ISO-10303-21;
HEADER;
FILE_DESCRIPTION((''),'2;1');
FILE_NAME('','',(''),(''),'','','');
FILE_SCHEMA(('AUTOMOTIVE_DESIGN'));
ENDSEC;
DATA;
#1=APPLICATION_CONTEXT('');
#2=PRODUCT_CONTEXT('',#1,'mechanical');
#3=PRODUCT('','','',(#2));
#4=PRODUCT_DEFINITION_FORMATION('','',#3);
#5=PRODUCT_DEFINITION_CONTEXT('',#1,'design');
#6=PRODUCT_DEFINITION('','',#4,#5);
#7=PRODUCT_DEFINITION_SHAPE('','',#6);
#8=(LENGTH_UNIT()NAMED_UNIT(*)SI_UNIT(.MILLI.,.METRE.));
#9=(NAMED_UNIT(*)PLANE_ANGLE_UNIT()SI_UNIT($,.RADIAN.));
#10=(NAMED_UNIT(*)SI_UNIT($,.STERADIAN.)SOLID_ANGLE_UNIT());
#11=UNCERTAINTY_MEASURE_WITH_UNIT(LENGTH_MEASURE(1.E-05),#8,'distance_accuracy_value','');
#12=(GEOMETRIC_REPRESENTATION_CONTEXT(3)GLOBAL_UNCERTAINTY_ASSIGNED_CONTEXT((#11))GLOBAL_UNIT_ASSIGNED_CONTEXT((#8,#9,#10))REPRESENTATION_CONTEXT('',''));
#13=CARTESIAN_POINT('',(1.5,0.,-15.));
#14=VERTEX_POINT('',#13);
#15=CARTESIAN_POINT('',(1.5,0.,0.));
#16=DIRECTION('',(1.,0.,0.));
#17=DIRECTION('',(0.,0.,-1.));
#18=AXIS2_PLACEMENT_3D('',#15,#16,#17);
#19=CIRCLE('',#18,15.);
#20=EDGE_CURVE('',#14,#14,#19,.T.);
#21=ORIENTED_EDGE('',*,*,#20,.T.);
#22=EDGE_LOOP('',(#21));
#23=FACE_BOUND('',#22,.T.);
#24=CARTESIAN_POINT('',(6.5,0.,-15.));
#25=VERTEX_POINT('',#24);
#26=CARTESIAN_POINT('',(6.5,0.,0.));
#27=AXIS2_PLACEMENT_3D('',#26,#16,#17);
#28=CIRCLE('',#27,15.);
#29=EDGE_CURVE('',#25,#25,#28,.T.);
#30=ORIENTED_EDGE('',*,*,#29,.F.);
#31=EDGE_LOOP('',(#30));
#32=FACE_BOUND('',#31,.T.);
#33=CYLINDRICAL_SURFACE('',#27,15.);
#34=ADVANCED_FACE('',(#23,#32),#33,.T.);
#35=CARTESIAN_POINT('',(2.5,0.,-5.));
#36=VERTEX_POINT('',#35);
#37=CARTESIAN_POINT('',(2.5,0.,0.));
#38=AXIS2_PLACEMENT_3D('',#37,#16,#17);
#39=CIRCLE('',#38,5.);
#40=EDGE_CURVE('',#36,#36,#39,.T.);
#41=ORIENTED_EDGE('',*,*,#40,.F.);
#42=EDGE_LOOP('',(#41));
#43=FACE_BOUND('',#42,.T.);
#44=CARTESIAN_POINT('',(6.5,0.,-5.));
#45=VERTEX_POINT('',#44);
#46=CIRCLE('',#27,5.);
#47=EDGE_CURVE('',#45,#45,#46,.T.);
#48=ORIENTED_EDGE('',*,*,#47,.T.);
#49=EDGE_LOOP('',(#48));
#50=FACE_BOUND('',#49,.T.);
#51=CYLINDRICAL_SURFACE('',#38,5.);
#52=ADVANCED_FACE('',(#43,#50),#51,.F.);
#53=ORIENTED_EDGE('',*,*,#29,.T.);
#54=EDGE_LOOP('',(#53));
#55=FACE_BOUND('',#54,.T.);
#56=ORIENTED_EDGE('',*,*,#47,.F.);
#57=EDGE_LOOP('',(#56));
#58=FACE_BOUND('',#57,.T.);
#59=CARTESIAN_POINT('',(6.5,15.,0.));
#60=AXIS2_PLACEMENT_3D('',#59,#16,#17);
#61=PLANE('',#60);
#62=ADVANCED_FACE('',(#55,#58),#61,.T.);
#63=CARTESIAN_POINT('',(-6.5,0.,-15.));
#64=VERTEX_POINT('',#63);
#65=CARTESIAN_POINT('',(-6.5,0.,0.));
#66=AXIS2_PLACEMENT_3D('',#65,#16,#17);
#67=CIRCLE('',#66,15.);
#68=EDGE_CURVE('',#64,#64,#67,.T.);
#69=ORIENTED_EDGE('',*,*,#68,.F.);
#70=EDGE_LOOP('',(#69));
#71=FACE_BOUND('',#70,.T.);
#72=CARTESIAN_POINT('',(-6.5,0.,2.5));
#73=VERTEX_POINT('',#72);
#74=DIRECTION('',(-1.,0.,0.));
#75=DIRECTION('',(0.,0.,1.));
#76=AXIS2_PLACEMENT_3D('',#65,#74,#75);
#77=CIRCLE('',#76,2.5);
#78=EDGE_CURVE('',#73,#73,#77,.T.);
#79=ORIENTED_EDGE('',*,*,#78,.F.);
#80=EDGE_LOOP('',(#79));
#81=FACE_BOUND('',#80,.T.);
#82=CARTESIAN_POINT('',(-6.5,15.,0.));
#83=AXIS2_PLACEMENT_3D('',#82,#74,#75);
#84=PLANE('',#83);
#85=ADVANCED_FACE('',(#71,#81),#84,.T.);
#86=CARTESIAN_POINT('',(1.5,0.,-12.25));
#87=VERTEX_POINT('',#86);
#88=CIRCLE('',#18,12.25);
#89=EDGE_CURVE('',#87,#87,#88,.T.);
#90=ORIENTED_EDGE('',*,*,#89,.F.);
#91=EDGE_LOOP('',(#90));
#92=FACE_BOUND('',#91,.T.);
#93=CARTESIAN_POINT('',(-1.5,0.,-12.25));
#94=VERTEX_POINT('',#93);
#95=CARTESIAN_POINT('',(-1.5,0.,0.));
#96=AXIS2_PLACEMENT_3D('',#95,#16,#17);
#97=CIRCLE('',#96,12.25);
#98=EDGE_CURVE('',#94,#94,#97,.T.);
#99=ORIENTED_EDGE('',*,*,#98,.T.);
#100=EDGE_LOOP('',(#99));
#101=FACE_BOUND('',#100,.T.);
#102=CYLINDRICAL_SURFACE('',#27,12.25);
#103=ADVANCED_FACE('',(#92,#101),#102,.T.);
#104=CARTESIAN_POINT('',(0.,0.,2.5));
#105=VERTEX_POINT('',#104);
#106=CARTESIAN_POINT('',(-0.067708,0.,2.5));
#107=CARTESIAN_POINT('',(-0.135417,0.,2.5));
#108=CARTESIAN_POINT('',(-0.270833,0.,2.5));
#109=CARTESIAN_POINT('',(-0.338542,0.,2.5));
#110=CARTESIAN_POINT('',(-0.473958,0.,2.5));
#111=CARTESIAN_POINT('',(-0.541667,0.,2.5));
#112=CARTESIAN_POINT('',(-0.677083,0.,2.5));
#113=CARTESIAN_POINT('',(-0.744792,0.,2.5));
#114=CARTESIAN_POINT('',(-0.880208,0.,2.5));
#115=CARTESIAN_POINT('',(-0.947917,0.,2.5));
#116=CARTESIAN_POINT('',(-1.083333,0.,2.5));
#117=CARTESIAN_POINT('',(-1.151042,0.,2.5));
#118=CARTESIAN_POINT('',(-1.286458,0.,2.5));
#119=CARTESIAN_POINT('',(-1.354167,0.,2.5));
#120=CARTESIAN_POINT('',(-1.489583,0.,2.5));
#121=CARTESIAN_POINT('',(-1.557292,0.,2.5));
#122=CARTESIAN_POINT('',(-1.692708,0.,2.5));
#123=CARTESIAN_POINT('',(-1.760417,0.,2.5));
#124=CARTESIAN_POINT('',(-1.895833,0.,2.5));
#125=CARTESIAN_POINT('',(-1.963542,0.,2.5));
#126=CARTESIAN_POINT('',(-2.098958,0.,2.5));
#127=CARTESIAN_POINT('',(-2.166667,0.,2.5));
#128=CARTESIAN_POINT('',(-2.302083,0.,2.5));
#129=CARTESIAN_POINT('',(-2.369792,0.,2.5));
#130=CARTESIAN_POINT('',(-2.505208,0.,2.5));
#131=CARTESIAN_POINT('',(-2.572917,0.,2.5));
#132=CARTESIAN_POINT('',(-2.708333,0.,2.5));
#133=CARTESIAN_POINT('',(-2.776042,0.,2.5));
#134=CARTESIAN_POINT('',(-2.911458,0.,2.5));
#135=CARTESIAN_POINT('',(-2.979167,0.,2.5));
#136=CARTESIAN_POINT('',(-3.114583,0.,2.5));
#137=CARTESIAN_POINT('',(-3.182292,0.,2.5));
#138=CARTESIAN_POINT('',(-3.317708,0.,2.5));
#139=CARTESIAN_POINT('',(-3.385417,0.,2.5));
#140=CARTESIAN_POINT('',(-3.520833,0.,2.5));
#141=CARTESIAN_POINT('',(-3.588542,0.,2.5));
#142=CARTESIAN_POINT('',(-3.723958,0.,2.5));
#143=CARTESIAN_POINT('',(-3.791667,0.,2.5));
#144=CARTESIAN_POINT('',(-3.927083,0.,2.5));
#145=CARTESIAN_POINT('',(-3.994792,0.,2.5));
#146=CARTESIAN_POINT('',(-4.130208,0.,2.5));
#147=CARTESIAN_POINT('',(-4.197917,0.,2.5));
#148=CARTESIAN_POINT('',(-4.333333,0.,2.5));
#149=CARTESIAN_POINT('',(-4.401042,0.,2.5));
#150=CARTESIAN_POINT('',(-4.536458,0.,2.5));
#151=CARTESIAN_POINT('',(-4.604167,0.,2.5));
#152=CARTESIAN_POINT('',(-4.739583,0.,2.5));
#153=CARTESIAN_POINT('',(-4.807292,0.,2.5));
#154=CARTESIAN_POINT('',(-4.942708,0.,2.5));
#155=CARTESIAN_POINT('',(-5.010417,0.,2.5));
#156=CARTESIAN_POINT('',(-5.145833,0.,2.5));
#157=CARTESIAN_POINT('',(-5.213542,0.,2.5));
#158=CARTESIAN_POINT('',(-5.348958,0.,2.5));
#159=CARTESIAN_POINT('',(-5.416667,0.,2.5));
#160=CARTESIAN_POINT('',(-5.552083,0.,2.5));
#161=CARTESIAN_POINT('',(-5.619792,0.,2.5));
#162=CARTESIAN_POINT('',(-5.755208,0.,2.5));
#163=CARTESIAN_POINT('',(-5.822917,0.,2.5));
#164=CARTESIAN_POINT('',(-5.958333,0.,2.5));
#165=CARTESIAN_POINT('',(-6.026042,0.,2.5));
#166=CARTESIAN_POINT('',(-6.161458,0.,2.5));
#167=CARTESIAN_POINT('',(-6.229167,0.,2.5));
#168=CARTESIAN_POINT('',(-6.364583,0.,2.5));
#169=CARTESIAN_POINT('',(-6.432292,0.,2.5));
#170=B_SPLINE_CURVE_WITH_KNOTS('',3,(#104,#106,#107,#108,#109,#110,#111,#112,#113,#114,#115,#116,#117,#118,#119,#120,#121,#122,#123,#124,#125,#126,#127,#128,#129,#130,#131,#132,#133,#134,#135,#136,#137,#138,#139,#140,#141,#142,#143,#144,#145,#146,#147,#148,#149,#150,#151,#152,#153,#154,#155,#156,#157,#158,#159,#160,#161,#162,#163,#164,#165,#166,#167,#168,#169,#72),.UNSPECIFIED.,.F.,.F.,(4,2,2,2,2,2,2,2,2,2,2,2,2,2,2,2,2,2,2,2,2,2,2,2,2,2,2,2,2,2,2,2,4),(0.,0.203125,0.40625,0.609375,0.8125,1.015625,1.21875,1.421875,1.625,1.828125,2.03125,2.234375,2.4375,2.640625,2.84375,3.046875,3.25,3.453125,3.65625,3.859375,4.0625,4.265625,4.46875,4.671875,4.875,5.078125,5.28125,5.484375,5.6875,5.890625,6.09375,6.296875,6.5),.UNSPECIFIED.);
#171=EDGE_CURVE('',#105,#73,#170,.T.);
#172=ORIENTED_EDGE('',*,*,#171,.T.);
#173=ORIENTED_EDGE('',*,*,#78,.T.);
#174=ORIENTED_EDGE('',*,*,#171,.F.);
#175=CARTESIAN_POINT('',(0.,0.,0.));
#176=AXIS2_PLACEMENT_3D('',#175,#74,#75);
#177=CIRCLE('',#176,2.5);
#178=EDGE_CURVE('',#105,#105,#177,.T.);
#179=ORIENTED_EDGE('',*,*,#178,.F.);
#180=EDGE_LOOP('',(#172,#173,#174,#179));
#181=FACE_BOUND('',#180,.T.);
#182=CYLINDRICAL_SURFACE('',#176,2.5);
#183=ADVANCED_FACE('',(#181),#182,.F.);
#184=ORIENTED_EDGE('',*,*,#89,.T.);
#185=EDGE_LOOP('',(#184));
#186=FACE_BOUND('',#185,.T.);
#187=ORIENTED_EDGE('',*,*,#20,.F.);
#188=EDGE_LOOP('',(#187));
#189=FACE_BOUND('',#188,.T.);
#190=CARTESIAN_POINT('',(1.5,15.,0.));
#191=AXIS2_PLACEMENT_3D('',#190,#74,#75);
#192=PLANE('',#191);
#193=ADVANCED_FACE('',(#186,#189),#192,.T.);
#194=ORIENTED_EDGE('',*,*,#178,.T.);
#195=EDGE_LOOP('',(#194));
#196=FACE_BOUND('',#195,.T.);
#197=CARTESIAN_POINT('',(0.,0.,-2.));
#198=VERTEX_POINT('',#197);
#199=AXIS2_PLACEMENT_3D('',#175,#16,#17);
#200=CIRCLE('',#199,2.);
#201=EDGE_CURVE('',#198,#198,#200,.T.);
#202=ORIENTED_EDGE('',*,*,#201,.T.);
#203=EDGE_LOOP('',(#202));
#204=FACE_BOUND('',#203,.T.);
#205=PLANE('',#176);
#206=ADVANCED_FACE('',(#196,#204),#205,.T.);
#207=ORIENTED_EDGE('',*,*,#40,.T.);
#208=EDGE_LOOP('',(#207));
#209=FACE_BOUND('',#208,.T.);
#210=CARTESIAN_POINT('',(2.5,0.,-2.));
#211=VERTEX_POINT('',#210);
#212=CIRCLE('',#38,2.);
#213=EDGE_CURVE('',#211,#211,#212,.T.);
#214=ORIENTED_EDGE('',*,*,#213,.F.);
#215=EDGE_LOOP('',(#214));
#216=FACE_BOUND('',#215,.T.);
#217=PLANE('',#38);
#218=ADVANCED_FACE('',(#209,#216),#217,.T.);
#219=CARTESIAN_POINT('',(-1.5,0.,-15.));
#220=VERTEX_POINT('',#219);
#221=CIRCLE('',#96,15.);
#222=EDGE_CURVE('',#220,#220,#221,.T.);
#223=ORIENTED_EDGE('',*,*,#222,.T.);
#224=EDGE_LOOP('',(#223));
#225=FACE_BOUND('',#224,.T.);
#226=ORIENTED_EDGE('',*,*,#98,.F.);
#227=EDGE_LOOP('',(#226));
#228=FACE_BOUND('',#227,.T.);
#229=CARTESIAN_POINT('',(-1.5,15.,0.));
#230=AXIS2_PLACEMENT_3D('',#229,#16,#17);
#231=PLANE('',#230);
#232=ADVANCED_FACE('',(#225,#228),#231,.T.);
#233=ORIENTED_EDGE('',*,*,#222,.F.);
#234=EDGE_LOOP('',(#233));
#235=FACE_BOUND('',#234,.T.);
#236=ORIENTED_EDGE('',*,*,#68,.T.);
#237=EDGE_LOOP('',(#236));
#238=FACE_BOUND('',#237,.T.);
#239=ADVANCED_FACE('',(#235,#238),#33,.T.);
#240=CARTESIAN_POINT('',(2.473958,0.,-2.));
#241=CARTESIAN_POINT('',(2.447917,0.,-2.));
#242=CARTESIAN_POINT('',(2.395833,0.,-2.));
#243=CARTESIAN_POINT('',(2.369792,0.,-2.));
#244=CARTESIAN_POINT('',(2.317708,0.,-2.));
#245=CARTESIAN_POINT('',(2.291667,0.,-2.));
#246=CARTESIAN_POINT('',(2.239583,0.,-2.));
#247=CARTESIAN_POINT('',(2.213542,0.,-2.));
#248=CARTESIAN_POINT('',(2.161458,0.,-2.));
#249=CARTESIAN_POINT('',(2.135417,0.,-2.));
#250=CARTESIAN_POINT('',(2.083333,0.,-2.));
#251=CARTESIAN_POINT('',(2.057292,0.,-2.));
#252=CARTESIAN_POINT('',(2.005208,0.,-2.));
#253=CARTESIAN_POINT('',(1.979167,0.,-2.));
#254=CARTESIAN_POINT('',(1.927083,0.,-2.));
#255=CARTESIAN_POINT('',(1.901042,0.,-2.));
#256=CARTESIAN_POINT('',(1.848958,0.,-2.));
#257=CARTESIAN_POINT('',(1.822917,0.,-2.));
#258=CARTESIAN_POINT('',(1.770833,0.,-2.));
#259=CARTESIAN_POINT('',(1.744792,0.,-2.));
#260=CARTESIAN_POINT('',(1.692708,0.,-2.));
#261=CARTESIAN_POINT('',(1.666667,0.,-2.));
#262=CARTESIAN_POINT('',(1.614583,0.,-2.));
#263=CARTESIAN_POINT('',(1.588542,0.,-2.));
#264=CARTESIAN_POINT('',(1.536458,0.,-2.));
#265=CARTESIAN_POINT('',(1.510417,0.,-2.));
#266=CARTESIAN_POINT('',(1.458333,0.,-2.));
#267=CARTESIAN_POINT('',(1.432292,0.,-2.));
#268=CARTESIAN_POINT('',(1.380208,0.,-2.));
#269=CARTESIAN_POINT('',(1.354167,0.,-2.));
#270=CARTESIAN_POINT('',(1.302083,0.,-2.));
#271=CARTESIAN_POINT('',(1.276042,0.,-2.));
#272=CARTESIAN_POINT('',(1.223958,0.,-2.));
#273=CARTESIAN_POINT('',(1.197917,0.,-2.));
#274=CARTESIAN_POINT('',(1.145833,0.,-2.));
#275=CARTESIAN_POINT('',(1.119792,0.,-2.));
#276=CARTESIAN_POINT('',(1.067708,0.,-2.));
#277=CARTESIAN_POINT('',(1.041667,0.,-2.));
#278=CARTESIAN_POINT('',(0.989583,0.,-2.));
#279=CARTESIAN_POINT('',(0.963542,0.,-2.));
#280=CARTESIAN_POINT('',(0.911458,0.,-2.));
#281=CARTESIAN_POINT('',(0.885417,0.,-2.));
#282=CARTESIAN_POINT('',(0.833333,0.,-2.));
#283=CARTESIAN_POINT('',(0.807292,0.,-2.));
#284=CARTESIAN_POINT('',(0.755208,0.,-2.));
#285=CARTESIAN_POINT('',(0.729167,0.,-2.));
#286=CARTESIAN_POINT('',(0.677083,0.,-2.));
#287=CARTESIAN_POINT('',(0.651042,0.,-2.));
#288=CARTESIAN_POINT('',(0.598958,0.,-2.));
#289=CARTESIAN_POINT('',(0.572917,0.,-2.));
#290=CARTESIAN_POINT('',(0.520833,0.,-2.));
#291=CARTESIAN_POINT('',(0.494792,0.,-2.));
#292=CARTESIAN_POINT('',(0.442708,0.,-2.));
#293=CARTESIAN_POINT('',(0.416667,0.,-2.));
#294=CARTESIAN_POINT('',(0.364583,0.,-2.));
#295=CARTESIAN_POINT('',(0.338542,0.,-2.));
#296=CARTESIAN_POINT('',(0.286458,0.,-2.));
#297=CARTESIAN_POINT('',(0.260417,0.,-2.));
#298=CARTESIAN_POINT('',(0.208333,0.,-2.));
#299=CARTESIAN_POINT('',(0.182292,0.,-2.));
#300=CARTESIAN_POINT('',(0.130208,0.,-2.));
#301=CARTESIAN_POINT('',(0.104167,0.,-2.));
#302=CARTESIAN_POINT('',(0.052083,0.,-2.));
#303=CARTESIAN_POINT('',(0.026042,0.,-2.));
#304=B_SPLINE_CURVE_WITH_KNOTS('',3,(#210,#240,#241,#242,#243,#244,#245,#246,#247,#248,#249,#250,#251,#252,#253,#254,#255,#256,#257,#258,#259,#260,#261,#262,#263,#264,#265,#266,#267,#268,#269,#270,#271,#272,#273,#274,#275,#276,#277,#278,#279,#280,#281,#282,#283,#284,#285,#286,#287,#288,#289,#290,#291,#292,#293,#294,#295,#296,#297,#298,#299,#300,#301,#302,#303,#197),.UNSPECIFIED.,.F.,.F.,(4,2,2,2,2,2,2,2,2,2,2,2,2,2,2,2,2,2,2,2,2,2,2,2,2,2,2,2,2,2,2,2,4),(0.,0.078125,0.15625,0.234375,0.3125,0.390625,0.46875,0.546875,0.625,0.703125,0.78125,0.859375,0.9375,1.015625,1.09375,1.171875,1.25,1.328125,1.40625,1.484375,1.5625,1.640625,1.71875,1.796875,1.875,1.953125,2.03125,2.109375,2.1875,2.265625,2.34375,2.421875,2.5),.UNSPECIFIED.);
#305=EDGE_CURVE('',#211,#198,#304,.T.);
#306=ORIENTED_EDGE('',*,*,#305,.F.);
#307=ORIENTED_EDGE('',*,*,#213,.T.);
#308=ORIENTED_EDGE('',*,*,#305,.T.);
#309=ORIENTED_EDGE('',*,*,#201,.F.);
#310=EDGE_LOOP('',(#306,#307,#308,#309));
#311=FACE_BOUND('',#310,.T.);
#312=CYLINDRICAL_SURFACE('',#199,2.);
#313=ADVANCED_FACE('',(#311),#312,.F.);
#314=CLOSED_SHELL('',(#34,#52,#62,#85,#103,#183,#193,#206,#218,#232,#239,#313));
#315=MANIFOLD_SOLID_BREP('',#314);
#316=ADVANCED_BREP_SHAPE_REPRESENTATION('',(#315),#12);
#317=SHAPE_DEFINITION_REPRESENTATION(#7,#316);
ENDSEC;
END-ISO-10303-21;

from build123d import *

# Parameters (mm, degrees)
SKETCH2_R          = 5
CUT_EXTRUDE1_DEPTH = 4
CUT_EXTRUDE2_START = 4
SKETCH3_R          = 2
CUT_EXTRUDE2_DEPTH = 6.5
CUT_EXTRUDE4_START = -9
SKETCH4_R          = 2.5
CUT_EXTRUDE4_DEPTH = 6.5


with BuildPart() as part:
    # Sketch1 → Revolve1 (revolve)
    with BuildSketch(Plane.XY, mode=Mode.PRIVATE) as revolve1_sk:
        Polygon((-1.5, 15), (-1.5, 12.25), (1.5, 12.25), (1.5, 15), (6.5, 15), (6.5, 0), (-6.5, 0), (-6.5, 15), align=None)
    revolve(revolve1_sk.sketch.rotate(Axis((6.5, 0, 0), (-1, 0, 0)), 90), axis=Axis((6.5, 0, 0), (-1, 0, 0)))

    # Sketch2 → Cut-Extrude1 (cut)
    with BuildSketch(Plane(origin=(6.5, 0, 0), x_dir=(0, 0, -1), z_dir=(1, 0, 0))):
        Circle(SKETCH2_R)
    extrude(amount=-CUT_EXTRUDE1_DEPTH, mode=Mode.SUBTRACT)

    # Sketch3 → Cut-Extrude2 (cut)
    with BuildSketch(Plane(origin=(2.5, 0, 0), x_dir=(0, 0, -1), z_dir=(1, 0, 0)).offset(CUT_EXTRUDE2_START)):
        Circle(SKETCH3_R)
    extrude(amount=-CUT_EXTRUDE2_DEPTH, mode=Mode.SUBTRACT)

    # Sketch4 → Cut-Extrude4 (cut)
    with BuildSketch(Plane(origin=(2.5, 0, 0), x_dir=(0, 0, -1), z_dir=(1, 0, 0)).offset(CUT_EXTRUDE4_START)):
        with Locations(Location((0, 0, 0), (0, 0, 180))):
            Circle(SKETCH4_R)
    extrude(amount=CUT_EXTRUDE4_DEPTH, mode=Mode.SUBTRACT)


solid = part.part
